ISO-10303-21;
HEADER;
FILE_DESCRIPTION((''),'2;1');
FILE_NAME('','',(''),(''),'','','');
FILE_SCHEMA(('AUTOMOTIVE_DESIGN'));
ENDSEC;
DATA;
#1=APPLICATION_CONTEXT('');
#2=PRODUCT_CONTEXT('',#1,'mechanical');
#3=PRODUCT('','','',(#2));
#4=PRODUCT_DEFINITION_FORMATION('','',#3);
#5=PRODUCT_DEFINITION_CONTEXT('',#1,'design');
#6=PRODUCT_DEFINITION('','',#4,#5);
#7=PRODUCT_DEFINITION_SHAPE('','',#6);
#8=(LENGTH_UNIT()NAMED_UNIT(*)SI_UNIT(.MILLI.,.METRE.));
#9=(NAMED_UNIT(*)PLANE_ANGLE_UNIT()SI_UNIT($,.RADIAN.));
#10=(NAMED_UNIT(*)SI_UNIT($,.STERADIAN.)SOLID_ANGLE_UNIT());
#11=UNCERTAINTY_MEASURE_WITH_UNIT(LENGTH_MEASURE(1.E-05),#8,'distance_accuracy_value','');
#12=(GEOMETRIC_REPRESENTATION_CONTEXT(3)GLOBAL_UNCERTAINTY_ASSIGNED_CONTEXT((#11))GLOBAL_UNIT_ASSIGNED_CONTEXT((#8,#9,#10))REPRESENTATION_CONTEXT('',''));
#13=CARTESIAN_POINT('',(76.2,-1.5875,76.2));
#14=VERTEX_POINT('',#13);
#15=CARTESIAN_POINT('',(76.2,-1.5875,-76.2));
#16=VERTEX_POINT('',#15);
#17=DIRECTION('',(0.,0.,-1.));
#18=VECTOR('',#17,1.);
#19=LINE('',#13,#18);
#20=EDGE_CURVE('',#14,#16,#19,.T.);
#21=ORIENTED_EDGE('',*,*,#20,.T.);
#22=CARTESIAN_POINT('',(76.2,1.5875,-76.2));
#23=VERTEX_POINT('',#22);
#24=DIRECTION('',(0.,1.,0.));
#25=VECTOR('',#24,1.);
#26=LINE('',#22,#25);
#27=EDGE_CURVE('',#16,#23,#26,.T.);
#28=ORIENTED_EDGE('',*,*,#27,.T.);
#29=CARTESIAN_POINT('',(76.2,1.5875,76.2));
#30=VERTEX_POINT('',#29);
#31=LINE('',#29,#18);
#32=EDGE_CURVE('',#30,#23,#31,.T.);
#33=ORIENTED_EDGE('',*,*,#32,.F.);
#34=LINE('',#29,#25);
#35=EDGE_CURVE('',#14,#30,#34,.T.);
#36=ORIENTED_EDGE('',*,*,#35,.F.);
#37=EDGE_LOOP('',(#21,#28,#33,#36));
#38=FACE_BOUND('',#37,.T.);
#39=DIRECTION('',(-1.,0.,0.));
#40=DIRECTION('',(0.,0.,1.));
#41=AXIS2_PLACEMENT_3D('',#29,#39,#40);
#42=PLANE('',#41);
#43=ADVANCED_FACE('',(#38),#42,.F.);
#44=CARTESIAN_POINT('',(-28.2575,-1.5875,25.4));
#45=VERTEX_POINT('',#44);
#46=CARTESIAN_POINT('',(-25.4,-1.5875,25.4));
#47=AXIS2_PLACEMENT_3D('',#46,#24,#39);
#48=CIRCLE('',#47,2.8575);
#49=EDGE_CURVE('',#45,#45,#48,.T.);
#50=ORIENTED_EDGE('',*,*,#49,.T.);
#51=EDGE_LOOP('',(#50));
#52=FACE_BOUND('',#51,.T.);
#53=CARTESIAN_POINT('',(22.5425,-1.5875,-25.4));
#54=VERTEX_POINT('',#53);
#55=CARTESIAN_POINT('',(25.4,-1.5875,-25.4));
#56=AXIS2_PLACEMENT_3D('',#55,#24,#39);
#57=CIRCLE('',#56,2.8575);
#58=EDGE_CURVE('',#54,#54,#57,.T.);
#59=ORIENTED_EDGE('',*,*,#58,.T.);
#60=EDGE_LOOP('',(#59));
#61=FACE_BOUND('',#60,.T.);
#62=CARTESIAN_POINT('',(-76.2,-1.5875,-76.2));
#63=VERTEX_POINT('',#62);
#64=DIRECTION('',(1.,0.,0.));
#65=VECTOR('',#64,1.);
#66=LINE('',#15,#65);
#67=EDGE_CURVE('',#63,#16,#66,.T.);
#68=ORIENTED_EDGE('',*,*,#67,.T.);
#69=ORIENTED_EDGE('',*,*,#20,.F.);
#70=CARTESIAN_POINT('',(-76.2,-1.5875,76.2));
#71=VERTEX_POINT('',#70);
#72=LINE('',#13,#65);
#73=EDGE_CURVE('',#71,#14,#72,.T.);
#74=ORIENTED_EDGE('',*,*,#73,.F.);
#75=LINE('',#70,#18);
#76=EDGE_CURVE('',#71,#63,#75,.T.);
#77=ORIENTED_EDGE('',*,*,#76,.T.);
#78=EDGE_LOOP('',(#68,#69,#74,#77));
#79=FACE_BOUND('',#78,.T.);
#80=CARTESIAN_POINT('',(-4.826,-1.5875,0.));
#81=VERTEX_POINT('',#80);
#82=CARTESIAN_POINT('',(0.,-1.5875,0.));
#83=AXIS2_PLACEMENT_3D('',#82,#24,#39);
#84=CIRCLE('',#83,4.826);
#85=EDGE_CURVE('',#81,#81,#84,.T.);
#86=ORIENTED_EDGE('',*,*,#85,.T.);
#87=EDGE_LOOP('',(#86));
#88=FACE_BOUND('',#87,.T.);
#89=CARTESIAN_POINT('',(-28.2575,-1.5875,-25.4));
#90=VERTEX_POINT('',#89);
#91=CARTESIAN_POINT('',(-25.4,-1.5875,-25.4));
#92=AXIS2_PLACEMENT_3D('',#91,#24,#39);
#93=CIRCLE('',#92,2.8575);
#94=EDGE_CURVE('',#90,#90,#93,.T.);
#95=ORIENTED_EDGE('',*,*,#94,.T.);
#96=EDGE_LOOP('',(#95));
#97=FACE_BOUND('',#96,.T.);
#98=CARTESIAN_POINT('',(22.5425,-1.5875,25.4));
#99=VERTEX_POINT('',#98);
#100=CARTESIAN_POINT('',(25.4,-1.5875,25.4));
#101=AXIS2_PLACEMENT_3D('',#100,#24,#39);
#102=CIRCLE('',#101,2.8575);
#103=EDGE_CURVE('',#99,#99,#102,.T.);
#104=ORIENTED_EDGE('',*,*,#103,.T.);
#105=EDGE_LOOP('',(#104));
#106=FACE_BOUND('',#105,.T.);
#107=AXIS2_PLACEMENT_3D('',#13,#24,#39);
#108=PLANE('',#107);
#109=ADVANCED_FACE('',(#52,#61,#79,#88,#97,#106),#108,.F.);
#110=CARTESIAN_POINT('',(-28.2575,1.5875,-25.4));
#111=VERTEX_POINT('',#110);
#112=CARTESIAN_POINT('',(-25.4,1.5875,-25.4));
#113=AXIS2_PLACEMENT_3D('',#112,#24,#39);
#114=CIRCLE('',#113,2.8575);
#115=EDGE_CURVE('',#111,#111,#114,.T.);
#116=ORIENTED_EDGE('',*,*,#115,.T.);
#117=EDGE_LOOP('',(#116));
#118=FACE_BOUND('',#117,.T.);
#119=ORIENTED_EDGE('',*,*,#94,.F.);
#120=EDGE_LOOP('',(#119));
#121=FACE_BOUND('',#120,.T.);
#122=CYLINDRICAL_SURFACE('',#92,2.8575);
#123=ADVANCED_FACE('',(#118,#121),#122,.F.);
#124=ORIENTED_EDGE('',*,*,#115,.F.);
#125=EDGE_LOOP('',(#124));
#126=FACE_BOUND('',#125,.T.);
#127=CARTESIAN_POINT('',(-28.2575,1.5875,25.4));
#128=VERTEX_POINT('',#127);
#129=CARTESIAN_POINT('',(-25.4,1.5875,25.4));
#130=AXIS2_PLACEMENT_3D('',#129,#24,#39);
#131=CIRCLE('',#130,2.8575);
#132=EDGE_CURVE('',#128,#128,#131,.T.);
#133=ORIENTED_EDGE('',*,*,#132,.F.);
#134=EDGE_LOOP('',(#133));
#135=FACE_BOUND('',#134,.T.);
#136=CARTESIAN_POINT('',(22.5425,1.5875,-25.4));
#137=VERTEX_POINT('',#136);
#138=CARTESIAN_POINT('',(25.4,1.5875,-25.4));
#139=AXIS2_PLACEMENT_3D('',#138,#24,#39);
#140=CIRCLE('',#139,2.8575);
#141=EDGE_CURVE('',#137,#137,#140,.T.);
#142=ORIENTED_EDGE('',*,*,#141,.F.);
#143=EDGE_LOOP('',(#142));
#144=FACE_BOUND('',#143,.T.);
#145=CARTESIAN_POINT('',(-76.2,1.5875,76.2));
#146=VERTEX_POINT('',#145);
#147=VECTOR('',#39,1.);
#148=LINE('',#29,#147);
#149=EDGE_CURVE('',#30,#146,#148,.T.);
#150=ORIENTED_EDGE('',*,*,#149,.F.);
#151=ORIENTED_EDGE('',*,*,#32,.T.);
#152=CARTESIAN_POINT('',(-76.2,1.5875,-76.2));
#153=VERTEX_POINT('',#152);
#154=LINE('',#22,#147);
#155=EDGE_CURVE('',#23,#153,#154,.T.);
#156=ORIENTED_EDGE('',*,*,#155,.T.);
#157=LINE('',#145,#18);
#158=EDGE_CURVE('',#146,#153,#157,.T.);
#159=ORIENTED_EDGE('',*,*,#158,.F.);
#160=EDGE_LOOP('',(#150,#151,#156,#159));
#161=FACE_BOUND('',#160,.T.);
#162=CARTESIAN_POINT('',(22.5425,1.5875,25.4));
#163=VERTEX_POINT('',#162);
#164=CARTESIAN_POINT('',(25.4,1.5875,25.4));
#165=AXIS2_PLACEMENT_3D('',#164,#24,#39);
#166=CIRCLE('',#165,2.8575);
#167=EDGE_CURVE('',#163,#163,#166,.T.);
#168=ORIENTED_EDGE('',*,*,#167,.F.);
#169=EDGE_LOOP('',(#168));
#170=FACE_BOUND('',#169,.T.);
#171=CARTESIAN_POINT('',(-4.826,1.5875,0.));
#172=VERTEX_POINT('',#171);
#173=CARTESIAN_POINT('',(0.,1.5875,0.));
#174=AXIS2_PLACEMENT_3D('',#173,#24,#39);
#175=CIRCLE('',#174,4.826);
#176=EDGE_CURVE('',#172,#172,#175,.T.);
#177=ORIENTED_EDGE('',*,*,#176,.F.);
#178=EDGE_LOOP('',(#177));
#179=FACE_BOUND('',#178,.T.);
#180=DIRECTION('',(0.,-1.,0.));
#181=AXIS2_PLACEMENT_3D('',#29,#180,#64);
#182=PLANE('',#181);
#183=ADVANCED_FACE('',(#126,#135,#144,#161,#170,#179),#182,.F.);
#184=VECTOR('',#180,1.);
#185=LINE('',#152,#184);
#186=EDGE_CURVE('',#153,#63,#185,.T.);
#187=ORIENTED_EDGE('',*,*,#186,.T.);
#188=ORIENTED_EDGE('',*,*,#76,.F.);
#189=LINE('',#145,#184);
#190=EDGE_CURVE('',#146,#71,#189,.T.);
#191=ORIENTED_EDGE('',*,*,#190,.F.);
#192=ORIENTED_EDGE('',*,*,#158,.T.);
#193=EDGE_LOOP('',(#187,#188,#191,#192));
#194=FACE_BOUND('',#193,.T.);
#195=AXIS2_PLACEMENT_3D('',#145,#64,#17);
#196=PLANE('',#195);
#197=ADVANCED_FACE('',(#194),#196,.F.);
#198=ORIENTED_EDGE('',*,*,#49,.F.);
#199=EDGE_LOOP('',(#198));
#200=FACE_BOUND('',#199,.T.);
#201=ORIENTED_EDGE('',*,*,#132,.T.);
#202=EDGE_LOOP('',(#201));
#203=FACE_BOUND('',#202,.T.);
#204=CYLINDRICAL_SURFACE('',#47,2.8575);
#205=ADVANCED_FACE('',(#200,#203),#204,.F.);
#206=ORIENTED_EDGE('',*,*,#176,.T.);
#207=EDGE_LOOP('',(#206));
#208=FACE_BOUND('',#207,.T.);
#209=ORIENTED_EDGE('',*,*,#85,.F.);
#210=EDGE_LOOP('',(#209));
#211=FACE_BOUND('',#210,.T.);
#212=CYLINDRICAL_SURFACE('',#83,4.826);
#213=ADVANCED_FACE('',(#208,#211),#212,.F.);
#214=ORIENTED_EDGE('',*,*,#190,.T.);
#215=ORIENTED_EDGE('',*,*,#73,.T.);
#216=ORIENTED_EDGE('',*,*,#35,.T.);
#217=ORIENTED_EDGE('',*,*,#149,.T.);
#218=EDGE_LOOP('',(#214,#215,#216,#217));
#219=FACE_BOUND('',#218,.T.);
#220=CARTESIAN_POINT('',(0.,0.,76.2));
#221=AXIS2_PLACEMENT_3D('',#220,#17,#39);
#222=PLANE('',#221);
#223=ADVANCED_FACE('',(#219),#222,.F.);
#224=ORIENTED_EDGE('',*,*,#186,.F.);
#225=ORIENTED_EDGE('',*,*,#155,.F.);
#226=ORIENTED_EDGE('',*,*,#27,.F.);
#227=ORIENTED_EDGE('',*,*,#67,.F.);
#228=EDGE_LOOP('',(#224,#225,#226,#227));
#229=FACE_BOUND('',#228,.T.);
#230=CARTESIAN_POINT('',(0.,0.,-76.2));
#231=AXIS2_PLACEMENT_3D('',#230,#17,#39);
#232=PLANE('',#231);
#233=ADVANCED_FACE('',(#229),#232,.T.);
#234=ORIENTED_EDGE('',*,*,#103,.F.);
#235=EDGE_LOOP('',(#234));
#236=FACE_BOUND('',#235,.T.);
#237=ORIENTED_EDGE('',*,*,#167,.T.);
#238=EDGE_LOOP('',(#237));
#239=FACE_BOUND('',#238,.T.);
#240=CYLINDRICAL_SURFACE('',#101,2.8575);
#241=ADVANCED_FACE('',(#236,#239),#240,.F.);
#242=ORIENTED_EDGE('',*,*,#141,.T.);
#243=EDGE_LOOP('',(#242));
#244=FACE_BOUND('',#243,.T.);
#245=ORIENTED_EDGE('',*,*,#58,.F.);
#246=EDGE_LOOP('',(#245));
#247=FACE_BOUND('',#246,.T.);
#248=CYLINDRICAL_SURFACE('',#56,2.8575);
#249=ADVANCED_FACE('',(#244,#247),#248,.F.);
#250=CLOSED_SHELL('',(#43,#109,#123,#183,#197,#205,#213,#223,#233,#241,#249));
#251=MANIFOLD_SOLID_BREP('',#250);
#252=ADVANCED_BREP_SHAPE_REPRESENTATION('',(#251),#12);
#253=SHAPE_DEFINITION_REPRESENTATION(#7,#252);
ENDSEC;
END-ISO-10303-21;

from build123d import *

# Parameters (mm, degrees)
SKETCH1_W           = 152.4
SKETCH1_H           = 3.175
BOSS_EXTRUDE1_DEPTH = 76.2
SKETCH2_R           = 2.8575
SKETCH2_R_2         = 4.826
CUT_EXTRUDE1_DEPTH  = 4.175


with BuildPart() as part:
    # Sketch1 → Boss-Extrude1 (new body, symmetric)
    with BuildSketch(Plane.XY):
        Rectangle(SKETCH1_W, SKETCH1_H)
    extrude(amount=BOSS_EXTRUDE1_DEPTH, both=True)

    # Sketch2 → Cut-Extrude1 (cut, through all)
    with BuildSketch(Plane(origin=(0, 1.5875, 0), x_dir=(1, 0, 0), z_dir=(0, 1, 0))):
        with Locations((-25.4, 25.4)):
            Circle(SKETCH2_R)
        with Locations((25.4, 25.4)):
            Circle(SKETCH2_R)
        with Locations((25.4, -25.4)):
            Circle(SKETCH2_R)
        with Locations((-25.4, -25.4)):
            Circle(SKETCH2_R)
        Circle(SKETCH2_R_2)
    extrude(amount=-CUT_EXTRUDE1_DEPTH, mode=Mode.SUBTRACT)


solid = part.part
